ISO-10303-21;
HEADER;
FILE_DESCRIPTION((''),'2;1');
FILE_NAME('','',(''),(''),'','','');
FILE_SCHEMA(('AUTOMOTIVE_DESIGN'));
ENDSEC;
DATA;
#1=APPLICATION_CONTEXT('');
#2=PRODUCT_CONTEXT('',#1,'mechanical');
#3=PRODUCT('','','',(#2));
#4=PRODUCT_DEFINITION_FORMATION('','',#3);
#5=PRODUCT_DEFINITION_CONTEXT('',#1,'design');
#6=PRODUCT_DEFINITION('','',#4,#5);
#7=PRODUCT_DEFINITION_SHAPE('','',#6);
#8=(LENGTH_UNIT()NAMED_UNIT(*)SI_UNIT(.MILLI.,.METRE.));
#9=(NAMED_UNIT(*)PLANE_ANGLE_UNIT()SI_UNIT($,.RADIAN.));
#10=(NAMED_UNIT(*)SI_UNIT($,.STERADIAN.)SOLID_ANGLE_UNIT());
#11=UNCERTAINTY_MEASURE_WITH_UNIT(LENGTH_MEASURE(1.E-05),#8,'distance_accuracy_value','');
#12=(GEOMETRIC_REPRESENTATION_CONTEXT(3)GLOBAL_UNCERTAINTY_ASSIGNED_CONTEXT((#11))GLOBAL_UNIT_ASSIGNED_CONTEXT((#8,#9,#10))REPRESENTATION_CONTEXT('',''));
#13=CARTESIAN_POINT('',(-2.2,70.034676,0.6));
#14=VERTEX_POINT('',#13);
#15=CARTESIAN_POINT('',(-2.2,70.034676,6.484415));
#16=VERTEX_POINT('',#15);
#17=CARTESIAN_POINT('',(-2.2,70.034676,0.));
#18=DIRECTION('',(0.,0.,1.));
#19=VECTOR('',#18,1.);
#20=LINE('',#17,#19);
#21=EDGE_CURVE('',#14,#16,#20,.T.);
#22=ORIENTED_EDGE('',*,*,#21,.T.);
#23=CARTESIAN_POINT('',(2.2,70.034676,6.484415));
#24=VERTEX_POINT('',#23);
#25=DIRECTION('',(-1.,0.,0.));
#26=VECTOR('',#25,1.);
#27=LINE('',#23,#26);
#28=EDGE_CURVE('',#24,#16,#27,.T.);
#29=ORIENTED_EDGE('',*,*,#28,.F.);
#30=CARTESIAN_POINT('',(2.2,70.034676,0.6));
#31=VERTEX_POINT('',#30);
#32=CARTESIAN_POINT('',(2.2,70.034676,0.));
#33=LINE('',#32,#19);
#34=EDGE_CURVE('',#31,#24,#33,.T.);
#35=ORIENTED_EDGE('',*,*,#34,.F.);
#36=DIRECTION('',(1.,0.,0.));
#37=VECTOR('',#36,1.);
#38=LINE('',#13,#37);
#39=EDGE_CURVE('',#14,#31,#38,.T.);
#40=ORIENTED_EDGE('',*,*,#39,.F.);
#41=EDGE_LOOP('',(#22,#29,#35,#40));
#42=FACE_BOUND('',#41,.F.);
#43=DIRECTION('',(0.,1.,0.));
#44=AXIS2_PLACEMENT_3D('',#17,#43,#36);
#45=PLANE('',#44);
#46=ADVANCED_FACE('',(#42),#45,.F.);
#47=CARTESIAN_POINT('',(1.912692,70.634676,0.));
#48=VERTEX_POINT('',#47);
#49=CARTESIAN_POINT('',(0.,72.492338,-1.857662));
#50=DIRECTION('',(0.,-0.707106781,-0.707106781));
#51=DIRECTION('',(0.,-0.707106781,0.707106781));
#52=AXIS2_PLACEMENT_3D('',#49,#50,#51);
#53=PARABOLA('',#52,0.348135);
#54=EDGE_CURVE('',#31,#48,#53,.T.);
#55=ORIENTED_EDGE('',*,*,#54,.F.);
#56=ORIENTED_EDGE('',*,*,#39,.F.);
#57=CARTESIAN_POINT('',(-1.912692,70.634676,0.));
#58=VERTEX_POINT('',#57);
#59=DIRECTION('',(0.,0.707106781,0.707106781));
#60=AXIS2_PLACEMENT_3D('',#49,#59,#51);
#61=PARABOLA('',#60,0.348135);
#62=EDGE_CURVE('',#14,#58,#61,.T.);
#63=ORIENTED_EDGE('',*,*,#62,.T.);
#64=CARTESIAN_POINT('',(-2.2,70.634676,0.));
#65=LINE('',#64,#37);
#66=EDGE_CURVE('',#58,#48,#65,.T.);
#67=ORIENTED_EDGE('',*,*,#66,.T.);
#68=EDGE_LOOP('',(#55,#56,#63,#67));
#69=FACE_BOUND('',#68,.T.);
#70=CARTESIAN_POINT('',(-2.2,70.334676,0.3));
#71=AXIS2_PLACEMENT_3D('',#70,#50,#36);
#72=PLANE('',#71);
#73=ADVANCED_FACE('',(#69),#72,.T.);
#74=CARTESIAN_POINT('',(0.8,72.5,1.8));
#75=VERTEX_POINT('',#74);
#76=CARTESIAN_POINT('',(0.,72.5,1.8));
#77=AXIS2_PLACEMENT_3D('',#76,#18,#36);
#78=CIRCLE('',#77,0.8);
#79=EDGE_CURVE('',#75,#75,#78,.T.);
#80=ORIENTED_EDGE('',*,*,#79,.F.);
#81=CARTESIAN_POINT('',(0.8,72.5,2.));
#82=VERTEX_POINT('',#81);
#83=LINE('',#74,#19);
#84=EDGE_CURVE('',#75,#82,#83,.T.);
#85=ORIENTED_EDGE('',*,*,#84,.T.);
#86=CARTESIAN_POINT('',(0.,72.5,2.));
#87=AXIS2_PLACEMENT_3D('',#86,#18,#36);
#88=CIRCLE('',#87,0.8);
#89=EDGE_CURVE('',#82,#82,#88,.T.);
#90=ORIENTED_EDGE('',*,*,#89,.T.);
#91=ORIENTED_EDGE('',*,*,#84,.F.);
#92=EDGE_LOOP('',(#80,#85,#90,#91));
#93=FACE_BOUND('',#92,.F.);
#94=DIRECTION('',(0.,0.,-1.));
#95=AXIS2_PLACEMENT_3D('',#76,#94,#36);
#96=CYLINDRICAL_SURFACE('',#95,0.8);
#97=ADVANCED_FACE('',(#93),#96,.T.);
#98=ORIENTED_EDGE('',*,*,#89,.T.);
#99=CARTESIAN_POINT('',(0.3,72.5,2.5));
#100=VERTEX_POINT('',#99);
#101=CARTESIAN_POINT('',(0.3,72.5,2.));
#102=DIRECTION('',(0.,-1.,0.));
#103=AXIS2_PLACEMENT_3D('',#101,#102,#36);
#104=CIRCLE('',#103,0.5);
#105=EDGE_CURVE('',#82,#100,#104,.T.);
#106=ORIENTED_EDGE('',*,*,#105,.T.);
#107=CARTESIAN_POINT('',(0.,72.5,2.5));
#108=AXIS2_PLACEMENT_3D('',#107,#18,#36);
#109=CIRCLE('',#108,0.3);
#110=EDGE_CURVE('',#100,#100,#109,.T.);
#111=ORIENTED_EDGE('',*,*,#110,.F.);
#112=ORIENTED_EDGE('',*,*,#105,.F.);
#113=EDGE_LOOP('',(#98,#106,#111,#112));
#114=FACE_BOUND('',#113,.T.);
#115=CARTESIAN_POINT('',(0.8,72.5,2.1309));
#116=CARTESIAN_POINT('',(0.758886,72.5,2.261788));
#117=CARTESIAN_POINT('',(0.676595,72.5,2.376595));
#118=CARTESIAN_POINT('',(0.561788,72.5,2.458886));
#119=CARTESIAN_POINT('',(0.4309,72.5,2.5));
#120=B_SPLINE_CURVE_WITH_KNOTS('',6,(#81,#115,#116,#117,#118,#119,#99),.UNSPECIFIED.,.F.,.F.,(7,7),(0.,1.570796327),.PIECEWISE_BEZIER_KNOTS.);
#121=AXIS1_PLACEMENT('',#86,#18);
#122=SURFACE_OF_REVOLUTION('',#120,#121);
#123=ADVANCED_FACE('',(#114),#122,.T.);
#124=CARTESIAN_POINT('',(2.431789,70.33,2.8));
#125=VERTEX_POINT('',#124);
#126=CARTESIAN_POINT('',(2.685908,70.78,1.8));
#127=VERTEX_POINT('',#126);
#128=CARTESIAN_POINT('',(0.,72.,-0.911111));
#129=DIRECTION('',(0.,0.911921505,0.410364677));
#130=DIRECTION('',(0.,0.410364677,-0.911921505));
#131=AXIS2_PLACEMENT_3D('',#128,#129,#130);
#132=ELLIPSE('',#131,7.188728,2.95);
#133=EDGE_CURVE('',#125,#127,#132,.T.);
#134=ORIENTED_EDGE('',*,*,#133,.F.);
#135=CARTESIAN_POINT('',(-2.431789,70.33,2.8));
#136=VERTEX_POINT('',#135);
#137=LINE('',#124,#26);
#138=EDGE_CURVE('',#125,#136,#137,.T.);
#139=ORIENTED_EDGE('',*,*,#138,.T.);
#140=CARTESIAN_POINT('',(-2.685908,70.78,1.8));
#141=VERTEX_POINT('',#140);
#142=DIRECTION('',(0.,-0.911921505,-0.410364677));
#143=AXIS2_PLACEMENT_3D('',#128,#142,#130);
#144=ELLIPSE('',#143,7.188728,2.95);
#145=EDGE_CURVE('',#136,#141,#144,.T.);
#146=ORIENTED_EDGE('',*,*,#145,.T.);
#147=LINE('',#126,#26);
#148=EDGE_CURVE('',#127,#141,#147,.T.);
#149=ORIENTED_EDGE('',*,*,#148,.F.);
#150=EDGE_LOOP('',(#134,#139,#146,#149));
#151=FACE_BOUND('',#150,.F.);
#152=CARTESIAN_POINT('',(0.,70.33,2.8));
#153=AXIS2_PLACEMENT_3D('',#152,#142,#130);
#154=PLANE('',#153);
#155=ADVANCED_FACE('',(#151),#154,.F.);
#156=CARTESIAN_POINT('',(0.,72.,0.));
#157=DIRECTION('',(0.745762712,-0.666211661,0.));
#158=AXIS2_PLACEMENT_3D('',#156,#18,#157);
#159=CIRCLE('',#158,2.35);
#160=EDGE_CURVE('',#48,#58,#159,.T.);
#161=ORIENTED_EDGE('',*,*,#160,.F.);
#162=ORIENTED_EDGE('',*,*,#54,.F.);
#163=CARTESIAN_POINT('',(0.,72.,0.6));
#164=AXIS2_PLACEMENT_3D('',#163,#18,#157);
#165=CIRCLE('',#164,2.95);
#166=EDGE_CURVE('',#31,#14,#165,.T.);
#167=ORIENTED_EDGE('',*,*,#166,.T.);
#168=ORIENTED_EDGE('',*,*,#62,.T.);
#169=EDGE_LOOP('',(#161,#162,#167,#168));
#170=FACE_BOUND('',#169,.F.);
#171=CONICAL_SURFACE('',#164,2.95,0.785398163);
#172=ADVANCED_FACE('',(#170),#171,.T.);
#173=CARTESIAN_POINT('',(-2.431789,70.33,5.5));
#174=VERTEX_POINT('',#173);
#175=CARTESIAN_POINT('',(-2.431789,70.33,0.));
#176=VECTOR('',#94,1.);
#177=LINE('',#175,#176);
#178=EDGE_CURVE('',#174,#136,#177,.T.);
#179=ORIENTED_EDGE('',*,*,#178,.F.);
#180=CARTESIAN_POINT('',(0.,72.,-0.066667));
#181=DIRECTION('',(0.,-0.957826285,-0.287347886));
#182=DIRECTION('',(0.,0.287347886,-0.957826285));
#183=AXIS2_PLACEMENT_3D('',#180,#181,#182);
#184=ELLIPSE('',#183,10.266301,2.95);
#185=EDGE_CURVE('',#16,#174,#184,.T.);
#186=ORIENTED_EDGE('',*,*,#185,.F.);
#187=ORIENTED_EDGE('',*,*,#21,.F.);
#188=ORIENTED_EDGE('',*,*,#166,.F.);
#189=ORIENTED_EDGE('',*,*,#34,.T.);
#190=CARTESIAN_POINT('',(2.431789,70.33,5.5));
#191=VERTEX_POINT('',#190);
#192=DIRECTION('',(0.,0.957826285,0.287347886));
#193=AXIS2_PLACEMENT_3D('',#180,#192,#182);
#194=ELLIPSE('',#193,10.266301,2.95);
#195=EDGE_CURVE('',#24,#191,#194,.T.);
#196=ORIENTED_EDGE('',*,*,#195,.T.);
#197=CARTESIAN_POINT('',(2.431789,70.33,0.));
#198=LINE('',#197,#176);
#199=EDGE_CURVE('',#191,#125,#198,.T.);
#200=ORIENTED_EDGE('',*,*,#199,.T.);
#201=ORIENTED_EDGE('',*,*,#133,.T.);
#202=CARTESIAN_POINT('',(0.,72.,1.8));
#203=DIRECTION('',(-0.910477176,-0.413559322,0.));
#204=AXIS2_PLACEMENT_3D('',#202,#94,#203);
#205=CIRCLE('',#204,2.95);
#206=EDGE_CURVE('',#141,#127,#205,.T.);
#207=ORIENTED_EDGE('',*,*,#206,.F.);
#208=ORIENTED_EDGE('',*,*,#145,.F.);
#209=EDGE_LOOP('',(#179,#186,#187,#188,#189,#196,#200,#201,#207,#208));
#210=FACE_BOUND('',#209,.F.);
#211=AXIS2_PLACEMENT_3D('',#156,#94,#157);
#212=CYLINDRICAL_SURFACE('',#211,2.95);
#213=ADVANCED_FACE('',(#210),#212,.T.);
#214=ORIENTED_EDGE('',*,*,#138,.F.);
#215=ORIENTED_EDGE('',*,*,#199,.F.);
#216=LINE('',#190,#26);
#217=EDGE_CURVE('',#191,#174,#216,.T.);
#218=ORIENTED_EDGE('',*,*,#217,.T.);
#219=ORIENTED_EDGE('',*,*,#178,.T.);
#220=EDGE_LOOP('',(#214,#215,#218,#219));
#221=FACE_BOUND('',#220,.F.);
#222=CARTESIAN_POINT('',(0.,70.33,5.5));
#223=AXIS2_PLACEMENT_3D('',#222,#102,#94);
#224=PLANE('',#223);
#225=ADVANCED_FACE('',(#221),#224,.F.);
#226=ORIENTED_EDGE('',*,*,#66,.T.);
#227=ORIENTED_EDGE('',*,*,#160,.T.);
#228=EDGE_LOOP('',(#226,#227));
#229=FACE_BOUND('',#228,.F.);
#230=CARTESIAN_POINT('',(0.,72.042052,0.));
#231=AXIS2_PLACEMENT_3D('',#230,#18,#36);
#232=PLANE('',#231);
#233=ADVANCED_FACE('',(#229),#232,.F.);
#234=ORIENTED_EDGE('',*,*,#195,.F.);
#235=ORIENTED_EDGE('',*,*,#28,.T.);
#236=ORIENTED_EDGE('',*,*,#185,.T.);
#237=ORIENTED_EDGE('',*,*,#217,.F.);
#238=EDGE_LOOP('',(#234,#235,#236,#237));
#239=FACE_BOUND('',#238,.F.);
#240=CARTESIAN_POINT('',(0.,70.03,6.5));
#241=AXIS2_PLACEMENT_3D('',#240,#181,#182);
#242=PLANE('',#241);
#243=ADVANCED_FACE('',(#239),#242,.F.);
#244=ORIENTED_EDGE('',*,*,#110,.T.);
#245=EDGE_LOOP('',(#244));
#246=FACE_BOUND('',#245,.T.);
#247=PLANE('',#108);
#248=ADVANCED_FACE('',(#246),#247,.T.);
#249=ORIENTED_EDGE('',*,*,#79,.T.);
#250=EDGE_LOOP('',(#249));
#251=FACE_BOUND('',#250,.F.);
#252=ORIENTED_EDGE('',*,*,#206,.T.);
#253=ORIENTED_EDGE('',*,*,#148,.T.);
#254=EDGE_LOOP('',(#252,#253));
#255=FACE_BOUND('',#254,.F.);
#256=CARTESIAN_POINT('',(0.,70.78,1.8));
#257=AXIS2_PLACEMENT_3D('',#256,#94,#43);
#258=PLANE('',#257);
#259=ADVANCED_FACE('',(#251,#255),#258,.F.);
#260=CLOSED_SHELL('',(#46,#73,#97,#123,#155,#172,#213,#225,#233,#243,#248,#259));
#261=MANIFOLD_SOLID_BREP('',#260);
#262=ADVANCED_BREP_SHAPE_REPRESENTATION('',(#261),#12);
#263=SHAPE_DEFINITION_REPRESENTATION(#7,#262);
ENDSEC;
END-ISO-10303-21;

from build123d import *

# Parameters (mm, degrees)
PAD003_DEPTH         = 6.5
POCKET004_DEPTH      = 2.951
POCKET004_DEPTH_BACK = 2.951
SKETCH013_R          = 0.8
PAD006_DEPTH         = 0.7
FILLET_R             = 0.5
CHAMFER004_SIZE      = 0.6


with BuildPart() as part:
    # Sketch004 → Pad003 (new body)
    with BuildSketch(Plane.XY):
        with BuildLine():
            ThreePointArc((2.2, -1.9653244007), (0, 2.95), (-2.2, -1.9653244007))
            Line((-2.2, -1.9653244007), (2.2, -1.9653244007))
        make_face()
    extrude(amount=PAD003_DEPTH)

    # Sketch014 → Pocket004 (cut, two sides)
    with BuildSketch(Plane.YZ) as pocket004_sk:
        Polygon((-1.97, 6.5), (-1.67, 5.5), (-1.67, 2.8), (-1.22, 1.8), (4, 1.8), (4, 6.5), align=None)
    extrude(amount=-POCKET004_DEPTH, mode=Mode.SUBTRACT)
    extrude(pocket004_sk.sketch, amount=POCKET004_DEPTH_BACK, mode=Mode.SUBTRACT)

    # Sketch013 (on Face7 of Pocket004) → Pad006 (join)
    with BuildSketch(Plane.XY.offset(1.8)):
        with Locations((0, 0.5)):
            Circle(SKETCH013_R)
    extrude(amount=PAD006_DEPTH)

    # Fillet
    fillet_edges = [part.edges().sort_by_distance(p)[0] for p in [
        (-0.8, 0.5, 2.5),
    ]]
    fillet(fillet_edges, radius=FILLET_R)

    # Chamfer004
    chamfer004_edges = [part.edges().sort_by_distance(p)[0] for p in [
        (0, 2.95, 0),
        (0, -1.965324, 0),
    ]]
    chamfer(chamfer004_edges, length=CHAMFER004_SIZE)


with BuildPart() as part_1:
    # Body031 placement: moved
    add(part.part.moved(Location((0, 72, 0))))


solid = part_1.part
